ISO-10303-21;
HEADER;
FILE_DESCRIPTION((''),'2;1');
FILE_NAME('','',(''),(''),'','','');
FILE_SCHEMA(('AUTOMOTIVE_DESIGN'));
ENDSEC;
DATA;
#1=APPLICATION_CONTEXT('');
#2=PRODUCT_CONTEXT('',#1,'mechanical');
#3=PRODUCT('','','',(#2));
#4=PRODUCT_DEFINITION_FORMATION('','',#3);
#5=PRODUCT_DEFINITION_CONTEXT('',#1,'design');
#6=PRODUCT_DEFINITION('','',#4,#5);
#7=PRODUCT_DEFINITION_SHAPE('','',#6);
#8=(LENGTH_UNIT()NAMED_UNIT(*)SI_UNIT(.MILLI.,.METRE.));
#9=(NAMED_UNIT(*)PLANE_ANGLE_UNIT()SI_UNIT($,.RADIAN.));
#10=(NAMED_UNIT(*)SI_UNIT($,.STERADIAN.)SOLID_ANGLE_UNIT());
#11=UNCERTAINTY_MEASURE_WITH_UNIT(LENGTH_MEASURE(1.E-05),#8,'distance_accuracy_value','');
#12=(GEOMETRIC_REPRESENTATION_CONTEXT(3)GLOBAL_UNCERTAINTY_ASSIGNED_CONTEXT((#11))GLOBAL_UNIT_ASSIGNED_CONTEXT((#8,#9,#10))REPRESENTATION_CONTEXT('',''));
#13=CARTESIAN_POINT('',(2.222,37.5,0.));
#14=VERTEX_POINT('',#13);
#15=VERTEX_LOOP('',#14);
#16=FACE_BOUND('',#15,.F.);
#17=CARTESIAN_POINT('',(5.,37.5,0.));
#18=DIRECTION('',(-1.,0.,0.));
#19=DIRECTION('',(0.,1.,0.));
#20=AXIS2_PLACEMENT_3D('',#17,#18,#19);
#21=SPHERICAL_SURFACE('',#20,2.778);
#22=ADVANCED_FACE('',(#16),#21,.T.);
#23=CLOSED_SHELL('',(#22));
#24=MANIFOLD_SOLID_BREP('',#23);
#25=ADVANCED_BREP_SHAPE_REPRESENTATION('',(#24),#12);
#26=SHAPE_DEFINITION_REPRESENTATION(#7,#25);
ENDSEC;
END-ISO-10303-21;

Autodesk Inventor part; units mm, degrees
ref_plane "YZ Plane" through (0, 0, 0) normal (1, 0, 0) x (0, 1, 0)
ref_plane "XZ Plane" through (0, 0, 0) normal (0, 1, 0) x (-1, 0, 0)
ref_plane "XY Plane" through (0, 0, 0) normal (0, 0, 1) x (1, 0, 0)
sketch "Sketch_6" plane through (0, 0, 0) normal (0, 0, 1) x (1, 0, 0)
  line L0 (7.778, 37.5) -> (2.222, 37.5)
  arc A0 (7.778, 37.5) -> (2.222, 37.5) centre (5, 37.5) ccw
  line L1 (7.778, 37.5) -> (2.222, 37.5)
  dimension "d0" = 360
revolve "Revolution1" add sketch "Sketch_6" angle 360 about axis through (7.778, 37.5, 0) along (1, 0, 0)
properties part number "61813-2RS1_PART3"
